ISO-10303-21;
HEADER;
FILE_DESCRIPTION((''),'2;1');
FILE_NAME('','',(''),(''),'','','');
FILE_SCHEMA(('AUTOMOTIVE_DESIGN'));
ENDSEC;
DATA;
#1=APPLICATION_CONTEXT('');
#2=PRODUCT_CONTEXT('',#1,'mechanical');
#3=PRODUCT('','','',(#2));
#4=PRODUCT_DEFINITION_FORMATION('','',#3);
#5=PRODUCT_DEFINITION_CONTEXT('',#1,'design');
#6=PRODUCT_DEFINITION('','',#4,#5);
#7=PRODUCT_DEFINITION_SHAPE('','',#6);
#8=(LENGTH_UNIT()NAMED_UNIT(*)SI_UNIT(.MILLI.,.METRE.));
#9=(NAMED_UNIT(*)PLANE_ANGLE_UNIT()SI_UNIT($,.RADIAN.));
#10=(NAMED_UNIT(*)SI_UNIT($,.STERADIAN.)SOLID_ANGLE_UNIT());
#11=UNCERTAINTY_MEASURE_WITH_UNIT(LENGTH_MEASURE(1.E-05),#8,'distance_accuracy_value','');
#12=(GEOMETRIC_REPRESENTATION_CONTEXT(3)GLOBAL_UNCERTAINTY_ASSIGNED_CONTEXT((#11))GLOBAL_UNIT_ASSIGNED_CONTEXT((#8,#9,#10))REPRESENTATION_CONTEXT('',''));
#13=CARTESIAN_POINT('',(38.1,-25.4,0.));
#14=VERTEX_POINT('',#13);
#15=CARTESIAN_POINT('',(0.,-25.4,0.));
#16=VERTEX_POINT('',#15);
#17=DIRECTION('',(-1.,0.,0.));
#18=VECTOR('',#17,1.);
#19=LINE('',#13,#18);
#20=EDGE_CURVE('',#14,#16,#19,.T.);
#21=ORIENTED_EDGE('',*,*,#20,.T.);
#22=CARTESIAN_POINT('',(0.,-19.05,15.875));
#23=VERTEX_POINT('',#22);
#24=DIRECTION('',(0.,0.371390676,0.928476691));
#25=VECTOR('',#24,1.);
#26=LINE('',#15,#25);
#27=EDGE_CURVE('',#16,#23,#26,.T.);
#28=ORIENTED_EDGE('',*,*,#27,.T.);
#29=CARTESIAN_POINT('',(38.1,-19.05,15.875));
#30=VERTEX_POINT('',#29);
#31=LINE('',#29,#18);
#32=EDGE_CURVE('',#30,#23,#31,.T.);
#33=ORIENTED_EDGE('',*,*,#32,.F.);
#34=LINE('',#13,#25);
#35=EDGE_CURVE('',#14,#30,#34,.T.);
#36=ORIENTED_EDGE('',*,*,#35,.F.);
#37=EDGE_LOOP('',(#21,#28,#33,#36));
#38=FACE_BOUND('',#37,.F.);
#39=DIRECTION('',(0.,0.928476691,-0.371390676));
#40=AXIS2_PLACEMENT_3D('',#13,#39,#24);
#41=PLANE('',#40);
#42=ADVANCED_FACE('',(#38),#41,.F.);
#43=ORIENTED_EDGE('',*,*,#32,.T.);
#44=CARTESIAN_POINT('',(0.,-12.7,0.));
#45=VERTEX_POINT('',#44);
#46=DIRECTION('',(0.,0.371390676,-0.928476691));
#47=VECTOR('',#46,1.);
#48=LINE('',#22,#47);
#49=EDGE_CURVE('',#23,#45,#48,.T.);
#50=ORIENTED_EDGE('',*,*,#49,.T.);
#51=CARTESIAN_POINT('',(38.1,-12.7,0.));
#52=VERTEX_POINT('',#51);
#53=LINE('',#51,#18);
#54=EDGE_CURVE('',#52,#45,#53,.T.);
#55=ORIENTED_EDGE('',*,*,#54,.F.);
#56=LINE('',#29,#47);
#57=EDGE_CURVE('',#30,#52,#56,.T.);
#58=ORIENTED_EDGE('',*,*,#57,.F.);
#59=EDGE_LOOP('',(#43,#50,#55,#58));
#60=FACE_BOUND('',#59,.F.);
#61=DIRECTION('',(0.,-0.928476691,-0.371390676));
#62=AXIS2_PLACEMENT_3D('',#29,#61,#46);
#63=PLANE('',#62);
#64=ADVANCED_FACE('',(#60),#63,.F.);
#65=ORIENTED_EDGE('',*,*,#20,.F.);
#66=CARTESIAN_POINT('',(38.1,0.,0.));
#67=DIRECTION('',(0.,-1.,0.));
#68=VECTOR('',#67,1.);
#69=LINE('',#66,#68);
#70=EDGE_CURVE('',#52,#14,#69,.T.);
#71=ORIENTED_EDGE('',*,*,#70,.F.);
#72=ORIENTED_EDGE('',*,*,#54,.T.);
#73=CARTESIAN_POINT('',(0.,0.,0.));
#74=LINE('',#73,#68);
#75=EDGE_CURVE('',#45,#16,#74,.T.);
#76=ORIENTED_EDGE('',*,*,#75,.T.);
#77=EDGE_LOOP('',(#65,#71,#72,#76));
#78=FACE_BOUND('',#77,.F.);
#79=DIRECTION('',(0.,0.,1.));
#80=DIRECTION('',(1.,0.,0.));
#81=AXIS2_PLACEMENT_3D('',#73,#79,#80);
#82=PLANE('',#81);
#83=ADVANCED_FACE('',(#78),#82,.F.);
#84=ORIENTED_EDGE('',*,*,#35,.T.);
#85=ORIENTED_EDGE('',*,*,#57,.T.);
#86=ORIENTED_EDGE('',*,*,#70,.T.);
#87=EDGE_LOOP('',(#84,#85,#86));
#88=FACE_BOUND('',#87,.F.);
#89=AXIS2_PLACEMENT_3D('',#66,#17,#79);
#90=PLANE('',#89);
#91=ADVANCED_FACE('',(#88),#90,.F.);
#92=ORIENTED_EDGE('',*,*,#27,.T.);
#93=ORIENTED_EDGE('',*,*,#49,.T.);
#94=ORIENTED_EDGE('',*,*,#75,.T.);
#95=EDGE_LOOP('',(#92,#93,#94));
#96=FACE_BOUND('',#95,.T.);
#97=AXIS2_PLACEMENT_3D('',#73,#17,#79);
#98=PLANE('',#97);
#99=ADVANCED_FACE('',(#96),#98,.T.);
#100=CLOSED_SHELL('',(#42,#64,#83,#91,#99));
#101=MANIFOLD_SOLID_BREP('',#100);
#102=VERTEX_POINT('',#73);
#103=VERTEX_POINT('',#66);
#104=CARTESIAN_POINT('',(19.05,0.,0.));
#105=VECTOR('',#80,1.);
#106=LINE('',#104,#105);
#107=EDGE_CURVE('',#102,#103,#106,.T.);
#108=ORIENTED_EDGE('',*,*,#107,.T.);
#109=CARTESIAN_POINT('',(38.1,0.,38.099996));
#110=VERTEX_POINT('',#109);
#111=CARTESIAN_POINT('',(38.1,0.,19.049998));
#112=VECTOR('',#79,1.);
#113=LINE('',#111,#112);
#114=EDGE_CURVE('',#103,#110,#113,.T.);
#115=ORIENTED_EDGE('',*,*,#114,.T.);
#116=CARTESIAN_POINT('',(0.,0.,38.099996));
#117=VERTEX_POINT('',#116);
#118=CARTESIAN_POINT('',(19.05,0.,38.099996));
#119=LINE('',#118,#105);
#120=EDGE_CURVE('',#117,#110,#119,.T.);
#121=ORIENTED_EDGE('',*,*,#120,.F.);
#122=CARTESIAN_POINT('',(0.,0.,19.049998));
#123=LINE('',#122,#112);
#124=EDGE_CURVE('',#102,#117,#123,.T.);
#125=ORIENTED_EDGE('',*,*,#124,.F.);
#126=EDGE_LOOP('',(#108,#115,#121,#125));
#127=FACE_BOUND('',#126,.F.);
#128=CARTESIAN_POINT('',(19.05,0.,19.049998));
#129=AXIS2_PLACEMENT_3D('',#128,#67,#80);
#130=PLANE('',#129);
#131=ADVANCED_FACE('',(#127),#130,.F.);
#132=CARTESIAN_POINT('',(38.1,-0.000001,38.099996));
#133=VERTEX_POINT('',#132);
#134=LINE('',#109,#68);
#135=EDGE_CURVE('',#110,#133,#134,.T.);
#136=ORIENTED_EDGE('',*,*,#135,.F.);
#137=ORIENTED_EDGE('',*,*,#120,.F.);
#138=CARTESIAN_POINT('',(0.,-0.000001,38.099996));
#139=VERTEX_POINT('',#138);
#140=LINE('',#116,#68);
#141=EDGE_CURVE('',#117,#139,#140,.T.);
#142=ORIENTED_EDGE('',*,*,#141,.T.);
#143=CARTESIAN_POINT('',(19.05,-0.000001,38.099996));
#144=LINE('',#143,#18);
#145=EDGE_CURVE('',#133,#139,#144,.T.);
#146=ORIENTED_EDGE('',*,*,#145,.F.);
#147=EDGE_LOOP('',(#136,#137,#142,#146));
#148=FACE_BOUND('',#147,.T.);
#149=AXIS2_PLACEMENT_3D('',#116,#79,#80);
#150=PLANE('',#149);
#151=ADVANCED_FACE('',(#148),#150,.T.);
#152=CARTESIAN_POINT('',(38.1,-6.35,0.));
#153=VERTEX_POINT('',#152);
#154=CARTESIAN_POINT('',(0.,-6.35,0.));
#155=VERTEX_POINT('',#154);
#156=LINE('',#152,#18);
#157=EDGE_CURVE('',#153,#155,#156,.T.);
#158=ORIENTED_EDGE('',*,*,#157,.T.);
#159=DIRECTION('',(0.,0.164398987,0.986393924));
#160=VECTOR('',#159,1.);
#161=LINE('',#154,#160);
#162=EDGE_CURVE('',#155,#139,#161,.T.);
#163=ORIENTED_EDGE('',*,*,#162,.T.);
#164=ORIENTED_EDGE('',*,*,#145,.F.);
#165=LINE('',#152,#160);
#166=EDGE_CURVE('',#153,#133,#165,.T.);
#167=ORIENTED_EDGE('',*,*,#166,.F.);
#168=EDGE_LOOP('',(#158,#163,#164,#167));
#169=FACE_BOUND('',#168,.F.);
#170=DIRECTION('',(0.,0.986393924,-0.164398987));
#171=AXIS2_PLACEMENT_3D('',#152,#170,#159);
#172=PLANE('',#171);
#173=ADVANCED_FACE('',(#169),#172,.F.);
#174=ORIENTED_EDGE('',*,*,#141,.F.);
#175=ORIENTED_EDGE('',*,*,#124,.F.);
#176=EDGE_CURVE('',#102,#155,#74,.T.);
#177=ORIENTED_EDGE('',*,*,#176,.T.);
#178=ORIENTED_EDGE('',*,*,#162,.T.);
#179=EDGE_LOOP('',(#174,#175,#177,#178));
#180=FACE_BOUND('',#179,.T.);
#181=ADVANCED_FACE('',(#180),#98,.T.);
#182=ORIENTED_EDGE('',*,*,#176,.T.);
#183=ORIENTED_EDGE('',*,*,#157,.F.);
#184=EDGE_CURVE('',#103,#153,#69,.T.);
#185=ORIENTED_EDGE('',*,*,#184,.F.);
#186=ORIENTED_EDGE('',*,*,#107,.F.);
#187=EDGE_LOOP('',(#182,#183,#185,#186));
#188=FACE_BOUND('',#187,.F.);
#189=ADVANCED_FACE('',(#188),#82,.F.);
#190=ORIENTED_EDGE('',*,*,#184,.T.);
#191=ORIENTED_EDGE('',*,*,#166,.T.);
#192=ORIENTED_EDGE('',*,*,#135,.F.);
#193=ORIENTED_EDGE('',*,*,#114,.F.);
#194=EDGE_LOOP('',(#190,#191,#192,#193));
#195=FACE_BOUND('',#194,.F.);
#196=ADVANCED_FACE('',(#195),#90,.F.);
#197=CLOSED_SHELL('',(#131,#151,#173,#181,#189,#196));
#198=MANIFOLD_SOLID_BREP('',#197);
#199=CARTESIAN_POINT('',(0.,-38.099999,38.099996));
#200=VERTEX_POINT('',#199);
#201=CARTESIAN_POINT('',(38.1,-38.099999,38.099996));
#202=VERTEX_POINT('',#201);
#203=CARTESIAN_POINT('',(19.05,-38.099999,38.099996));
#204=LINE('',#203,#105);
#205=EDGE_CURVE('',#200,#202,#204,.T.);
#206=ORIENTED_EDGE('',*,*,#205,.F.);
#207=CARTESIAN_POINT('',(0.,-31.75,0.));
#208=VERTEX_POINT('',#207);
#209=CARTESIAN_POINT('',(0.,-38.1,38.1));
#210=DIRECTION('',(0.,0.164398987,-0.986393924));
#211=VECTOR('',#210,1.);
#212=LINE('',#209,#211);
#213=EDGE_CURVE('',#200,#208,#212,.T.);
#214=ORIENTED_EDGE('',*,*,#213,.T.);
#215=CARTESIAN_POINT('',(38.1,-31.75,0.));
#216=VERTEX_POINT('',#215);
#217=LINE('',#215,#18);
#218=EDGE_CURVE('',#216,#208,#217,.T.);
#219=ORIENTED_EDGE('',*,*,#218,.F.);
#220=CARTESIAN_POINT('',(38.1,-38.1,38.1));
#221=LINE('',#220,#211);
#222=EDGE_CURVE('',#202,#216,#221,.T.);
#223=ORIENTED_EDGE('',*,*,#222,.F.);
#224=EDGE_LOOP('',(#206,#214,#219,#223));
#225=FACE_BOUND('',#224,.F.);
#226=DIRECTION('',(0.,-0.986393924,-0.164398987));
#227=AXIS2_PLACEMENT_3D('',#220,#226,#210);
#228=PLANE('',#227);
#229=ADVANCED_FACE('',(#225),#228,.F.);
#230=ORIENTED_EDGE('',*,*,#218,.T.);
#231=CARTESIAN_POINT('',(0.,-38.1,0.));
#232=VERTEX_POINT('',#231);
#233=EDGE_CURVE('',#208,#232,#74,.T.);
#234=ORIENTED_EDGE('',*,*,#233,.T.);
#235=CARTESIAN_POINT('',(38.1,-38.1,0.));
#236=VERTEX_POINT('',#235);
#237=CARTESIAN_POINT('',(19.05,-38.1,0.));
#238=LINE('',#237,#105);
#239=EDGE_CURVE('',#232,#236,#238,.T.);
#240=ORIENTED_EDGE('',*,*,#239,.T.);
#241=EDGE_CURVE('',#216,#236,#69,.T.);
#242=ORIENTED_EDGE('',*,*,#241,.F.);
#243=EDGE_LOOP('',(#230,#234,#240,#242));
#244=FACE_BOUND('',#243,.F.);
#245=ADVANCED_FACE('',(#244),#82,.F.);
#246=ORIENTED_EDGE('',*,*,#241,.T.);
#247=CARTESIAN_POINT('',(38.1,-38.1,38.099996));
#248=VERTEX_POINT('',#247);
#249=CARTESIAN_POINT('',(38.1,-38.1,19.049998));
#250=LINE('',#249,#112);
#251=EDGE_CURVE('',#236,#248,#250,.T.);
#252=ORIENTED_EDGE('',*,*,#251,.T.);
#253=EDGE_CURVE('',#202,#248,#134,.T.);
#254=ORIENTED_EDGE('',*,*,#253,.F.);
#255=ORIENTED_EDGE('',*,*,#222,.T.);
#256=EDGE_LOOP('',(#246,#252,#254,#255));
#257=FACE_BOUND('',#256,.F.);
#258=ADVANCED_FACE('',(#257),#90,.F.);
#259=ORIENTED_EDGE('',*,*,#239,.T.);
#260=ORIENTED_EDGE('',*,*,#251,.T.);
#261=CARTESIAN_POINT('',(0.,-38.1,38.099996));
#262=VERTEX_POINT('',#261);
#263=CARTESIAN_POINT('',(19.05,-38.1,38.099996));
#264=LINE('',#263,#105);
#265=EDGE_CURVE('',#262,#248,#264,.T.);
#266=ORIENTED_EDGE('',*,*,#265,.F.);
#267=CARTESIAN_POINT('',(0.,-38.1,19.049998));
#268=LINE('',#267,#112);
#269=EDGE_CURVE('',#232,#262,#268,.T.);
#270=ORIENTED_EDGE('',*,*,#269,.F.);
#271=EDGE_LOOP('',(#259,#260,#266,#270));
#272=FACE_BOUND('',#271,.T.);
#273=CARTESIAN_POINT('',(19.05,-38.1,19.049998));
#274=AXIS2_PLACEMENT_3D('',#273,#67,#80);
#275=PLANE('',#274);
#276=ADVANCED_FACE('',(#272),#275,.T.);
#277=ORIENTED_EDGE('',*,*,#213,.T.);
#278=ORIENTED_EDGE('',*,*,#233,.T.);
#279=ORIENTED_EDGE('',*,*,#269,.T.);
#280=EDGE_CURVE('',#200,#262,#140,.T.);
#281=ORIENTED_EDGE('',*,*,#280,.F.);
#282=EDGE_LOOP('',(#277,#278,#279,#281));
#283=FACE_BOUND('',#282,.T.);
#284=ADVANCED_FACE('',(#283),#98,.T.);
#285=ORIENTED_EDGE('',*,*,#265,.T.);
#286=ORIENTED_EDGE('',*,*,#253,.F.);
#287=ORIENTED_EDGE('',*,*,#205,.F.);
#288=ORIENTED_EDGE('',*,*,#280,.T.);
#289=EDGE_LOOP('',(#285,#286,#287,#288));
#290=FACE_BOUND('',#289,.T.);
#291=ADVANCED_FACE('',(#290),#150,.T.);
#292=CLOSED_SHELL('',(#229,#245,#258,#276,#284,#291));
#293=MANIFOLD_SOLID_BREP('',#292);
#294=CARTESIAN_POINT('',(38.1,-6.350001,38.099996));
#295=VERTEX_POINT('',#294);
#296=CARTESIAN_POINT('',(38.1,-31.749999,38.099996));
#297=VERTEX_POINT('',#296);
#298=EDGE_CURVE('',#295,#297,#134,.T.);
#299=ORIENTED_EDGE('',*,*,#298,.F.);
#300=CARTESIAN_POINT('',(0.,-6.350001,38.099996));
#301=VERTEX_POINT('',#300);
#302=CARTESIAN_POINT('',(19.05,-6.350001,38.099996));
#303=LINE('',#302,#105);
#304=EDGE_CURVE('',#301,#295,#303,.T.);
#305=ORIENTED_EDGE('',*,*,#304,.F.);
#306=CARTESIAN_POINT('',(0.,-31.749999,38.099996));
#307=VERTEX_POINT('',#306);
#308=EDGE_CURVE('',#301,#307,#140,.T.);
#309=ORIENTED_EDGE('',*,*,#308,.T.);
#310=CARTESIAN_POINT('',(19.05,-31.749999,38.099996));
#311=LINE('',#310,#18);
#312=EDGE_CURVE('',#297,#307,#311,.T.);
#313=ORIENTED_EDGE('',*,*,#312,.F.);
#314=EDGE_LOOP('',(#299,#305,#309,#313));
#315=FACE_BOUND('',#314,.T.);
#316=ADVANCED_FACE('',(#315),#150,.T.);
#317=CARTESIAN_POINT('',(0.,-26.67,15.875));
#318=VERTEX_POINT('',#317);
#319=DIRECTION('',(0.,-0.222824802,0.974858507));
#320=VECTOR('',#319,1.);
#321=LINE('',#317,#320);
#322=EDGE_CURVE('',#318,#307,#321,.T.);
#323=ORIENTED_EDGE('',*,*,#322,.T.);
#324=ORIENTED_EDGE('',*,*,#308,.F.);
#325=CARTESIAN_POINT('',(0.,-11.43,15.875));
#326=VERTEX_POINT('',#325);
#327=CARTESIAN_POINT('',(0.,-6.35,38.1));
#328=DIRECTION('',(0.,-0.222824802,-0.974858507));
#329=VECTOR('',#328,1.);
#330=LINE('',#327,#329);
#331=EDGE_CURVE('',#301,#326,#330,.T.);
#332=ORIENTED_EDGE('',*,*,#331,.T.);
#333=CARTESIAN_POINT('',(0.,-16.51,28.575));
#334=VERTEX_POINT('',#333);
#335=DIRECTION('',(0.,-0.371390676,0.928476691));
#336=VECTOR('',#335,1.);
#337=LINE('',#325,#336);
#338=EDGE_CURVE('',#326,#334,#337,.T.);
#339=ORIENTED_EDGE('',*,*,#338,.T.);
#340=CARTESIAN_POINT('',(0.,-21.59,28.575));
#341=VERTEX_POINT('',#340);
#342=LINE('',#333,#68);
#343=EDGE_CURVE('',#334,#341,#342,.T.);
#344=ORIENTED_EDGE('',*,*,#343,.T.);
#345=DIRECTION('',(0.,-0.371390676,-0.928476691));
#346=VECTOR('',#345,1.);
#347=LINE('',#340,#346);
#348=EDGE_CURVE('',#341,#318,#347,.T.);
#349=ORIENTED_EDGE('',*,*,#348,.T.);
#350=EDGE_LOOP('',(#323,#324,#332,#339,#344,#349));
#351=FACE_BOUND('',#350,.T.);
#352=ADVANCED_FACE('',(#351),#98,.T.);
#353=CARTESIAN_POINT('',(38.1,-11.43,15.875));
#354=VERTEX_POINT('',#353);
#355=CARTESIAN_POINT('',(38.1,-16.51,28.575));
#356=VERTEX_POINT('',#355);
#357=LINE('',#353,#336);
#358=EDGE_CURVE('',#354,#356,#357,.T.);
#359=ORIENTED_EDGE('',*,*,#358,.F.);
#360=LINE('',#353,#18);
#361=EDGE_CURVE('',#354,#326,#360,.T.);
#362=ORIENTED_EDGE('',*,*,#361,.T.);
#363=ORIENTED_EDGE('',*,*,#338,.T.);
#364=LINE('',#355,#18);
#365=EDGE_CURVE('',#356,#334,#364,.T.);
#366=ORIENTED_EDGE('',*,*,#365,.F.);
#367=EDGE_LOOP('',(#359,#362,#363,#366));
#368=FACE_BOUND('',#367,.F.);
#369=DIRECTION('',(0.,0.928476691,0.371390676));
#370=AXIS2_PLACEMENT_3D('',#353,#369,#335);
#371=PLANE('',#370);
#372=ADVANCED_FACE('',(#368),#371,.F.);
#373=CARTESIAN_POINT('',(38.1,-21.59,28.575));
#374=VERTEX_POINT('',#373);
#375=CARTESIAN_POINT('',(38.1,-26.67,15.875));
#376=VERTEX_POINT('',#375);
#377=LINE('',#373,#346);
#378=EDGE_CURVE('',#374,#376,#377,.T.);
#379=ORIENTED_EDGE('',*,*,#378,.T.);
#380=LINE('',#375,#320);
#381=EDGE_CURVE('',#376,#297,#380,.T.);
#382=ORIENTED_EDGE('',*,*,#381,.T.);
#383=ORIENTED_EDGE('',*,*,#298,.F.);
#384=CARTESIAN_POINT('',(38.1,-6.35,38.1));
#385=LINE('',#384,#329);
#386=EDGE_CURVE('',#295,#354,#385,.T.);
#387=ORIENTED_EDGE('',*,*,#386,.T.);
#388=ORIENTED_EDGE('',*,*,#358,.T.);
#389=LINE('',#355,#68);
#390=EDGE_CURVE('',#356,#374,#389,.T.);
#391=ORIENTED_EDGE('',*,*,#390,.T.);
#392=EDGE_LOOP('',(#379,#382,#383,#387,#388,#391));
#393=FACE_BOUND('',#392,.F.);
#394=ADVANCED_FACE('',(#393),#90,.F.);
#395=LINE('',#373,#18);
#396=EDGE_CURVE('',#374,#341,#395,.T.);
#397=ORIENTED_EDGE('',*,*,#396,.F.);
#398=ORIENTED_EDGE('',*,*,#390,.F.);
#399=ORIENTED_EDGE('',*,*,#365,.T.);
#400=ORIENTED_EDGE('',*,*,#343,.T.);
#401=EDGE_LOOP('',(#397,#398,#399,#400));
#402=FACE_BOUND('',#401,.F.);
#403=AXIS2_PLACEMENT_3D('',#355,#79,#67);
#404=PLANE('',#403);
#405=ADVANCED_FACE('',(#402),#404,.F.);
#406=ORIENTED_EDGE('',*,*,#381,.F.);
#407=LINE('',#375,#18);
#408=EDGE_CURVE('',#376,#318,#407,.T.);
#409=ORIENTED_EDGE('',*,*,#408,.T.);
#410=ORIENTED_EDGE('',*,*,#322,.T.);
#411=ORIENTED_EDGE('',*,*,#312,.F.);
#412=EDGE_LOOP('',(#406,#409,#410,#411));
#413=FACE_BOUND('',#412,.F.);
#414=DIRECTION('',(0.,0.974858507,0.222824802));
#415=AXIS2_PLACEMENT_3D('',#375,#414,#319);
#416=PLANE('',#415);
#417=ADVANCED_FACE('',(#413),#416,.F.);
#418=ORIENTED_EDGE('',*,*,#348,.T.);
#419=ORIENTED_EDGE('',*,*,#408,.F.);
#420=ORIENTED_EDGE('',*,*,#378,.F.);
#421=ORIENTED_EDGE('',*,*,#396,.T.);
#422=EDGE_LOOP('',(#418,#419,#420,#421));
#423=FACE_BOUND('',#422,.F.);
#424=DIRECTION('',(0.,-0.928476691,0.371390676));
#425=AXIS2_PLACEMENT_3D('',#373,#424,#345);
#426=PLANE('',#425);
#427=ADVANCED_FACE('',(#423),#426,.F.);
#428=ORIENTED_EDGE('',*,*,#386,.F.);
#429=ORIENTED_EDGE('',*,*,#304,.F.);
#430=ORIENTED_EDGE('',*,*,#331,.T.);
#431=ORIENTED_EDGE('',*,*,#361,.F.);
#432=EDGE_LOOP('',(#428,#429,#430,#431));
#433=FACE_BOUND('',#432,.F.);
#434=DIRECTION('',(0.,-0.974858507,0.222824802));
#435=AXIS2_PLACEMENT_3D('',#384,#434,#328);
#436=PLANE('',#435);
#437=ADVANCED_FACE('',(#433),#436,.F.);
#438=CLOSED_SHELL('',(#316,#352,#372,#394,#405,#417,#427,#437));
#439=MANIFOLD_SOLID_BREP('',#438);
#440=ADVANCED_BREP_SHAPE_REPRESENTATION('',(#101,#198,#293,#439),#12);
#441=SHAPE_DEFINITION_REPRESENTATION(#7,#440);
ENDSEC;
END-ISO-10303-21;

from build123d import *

# Parameters (mm, degrees)
F0_W     = 38.1
F0_H     = 38.099996
F1_DEPTH = 38.1
F5_DEPTH = 38.1


with BuildPart() as f1:
    # F0 (on Front) → F1 (new body)
    with BuildSketch(Plane.XZ):
        with Locations((19.05, 19.049998)):
            Rectangle(F0_W, F0_H)
    extrude(amount=F1_DEPTH)

    # F4 (on offset) → F5 (cut)
    with BuildSketch(Plane.YZ.offset(38.1)):
        Polygon((-38.1, 38.1), (-31.75, 0), (-25.4, 0), (-19.05, 15.875), (-12.7, 0), (-6.35, 0), (0, 38.1), (-6.35, 38.1), (-11.43, 15.875), (-16.51, 28.575), (-21.59, 28.575), (-26.67, 15.875), (-31.75, 38.1), align=None)
    extrude(amount=-F5_DEPTH, mode=Mode.SUBTRACT)


solid = f1.part
